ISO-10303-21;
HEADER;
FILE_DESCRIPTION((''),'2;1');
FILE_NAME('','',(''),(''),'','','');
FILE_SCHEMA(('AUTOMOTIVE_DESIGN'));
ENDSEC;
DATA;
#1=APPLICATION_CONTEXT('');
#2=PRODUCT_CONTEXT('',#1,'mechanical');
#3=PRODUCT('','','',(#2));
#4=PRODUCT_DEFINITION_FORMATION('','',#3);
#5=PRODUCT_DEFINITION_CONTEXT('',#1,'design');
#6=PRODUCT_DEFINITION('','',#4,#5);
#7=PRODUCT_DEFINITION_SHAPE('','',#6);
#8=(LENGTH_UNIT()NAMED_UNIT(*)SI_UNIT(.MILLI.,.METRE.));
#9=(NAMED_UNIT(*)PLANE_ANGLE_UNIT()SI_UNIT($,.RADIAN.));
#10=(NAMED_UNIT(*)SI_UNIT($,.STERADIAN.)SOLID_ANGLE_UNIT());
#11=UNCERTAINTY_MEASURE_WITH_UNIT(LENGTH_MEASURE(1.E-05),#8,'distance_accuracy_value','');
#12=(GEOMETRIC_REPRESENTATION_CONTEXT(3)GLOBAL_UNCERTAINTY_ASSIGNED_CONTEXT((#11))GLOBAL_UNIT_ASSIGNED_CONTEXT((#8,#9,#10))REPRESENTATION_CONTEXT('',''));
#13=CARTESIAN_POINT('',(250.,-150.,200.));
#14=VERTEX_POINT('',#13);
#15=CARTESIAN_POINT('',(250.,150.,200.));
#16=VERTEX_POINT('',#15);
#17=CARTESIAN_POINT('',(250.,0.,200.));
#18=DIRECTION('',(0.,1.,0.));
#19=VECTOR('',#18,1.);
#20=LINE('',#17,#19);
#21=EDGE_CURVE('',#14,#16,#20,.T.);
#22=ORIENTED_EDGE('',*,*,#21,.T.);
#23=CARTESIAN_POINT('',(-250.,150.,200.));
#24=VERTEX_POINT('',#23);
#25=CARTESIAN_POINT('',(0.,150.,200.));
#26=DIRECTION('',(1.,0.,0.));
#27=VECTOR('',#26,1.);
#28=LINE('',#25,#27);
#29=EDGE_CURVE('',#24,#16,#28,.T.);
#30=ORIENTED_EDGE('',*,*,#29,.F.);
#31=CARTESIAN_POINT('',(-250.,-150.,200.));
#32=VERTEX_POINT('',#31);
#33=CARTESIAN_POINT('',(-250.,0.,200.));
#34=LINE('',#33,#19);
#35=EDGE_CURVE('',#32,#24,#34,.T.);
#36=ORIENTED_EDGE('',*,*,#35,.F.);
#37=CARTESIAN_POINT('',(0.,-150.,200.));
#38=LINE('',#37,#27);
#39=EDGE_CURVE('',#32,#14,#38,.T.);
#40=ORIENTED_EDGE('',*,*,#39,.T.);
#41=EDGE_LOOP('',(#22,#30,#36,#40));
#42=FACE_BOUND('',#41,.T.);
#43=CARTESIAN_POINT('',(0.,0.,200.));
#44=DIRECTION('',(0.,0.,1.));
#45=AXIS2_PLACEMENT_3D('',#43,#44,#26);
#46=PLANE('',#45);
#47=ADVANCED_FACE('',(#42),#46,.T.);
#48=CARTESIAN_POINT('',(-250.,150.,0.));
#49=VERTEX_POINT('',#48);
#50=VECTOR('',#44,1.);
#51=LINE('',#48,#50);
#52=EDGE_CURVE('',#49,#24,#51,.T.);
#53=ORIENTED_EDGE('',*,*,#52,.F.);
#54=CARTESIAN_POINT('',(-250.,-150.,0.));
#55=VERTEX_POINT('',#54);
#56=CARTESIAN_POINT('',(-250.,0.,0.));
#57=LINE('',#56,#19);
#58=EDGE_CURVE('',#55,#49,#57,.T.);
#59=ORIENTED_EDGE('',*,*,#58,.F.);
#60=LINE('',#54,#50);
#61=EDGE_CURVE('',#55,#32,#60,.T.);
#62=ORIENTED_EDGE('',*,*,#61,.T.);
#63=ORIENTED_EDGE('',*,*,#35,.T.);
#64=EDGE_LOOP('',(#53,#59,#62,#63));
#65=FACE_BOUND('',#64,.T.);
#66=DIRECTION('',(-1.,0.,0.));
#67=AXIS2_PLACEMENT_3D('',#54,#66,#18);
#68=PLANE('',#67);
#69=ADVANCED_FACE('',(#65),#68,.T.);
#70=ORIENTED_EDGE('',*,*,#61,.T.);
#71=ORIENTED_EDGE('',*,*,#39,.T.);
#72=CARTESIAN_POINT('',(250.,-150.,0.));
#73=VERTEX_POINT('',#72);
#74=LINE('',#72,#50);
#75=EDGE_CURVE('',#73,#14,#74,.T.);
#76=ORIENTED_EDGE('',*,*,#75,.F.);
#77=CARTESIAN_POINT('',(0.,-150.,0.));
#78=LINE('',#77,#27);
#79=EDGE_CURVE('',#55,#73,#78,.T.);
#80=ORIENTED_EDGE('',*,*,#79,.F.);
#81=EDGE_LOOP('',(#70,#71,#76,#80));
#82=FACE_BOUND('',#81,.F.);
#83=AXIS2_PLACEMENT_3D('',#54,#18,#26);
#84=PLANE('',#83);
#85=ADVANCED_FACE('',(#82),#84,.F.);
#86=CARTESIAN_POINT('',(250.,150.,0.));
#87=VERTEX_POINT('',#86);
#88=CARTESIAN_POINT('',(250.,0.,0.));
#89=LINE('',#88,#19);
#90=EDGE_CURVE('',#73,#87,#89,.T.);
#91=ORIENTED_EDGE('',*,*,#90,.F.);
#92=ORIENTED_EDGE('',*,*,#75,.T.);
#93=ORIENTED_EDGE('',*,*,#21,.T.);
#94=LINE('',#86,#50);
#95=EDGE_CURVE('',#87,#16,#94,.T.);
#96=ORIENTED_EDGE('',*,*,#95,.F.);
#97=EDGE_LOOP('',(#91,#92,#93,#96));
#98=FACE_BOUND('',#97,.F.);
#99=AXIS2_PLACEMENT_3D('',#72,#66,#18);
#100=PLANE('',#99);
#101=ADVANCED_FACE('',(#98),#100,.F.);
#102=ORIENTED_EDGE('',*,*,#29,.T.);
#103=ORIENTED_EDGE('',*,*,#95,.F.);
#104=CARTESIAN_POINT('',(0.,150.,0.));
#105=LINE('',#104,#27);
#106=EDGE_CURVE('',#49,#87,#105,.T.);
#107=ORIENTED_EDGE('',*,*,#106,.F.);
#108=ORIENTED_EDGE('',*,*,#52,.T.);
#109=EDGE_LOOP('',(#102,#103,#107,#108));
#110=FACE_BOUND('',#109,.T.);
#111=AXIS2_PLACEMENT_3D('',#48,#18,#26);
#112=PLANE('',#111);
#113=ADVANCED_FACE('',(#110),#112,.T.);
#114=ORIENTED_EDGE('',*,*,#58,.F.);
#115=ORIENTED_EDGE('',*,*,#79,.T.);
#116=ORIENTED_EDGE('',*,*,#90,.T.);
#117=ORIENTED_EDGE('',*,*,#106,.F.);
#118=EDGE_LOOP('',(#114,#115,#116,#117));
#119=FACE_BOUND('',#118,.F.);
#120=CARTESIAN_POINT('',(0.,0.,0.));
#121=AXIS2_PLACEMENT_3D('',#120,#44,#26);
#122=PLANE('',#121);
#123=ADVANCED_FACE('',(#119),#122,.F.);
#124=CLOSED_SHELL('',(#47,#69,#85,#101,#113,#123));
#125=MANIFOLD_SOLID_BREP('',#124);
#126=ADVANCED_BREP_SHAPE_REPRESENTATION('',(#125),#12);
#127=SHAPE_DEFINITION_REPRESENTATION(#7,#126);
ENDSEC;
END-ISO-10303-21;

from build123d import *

# Parameters (mm, degrees)
SKETCH_W  = 500
SKETCH_H  = 300
PAD_DEPTH = 200


with BuildPart() as part:
    # Sketch → Pad (new body)
    with BuildSketch(Plane.XY):
        Rectangle(SKETCH_W, SKETCH_H)
    extrude(amount=PAD_DEPTH)


solid = part.part
